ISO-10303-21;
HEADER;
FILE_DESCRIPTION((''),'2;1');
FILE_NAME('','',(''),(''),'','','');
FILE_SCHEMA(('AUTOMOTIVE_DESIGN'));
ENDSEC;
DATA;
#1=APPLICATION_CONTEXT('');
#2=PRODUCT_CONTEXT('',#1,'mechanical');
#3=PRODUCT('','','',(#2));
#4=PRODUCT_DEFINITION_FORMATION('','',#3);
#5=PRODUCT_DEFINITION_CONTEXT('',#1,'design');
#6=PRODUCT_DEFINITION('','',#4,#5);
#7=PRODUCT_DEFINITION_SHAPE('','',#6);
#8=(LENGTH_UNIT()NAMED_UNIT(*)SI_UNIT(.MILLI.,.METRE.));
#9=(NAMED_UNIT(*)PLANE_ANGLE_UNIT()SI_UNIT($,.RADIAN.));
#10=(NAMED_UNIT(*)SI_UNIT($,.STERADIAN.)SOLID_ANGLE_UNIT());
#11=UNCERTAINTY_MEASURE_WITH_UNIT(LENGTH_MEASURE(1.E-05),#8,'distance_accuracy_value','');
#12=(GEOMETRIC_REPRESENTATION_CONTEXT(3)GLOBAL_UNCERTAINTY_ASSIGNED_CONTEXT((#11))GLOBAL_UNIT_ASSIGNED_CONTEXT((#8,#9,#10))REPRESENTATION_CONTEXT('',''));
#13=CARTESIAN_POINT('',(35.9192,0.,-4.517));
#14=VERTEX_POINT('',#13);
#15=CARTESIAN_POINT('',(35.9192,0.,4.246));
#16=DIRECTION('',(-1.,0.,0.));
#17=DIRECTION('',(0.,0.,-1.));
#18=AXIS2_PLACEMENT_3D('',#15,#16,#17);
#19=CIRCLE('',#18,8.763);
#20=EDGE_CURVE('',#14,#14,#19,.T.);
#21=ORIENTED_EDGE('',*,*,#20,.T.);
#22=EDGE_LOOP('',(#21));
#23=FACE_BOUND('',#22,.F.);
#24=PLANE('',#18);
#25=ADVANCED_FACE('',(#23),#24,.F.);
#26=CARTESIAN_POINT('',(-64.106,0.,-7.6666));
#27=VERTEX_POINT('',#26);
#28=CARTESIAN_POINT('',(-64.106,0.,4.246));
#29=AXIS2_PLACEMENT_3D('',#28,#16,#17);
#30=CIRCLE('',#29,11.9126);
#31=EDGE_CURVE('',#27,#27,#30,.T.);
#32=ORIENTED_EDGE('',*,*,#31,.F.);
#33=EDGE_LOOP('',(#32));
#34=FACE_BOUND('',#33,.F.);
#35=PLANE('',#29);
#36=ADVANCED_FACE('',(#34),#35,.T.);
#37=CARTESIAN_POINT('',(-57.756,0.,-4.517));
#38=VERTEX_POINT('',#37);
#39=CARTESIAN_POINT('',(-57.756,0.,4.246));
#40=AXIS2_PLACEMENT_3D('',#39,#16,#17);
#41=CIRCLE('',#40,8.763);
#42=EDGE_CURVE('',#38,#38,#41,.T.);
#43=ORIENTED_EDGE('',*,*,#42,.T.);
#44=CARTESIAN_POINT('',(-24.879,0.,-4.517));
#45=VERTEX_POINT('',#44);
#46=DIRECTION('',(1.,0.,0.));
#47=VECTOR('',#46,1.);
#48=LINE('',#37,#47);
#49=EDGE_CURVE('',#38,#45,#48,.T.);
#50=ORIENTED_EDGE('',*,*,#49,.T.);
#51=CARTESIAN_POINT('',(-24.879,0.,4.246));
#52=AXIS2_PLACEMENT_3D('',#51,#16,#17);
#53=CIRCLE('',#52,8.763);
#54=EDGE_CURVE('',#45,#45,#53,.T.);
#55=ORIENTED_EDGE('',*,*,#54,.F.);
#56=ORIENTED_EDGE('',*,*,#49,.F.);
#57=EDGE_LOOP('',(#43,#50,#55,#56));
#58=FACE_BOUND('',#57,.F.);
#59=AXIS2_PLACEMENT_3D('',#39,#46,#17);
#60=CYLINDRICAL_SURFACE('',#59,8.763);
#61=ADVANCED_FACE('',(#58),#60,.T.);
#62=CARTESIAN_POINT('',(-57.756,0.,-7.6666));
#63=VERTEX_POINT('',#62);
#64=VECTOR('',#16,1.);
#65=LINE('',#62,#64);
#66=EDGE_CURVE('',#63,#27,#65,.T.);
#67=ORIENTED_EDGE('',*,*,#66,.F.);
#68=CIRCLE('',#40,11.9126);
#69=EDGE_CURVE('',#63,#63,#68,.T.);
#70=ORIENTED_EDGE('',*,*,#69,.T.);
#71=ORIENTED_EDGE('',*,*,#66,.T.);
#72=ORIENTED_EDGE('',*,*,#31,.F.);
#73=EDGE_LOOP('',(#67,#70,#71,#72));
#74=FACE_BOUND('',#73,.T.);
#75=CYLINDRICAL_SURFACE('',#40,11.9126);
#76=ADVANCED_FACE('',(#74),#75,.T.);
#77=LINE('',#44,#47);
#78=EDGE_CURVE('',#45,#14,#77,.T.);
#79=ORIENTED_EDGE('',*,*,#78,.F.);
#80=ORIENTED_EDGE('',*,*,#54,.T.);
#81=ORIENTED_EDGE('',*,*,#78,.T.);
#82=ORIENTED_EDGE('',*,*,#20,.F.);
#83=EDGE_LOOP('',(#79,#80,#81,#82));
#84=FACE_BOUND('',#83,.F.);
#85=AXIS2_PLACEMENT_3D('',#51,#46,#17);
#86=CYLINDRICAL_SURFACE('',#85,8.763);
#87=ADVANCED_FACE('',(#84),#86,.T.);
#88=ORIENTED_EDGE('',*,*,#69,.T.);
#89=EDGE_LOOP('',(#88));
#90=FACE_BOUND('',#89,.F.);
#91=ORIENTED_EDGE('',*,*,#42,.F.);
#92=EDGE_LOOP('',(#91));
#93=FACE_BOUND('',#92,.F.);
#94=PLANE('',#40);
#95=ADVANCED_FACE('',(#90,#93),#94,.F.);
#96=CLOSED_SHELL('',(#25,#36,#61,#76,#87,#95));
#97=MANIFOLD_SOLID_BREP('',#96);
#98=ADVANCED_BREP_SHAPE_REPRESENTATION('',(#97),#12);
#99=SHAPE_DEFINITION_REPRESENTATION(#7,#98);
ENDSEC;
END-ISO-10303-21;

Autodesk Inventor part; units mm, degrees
ref_plane "YZ Plane" through (0, 0, 0) normal (1, 0, 0) x (0, 1, 0)
ref_plane "XZ Plane" through (0, 0, 0) normal (0, 1, 0) x (-1, 0, 0)
sketch "Sketch1" plane through (0, 0, 0) normal (0, 1, 0) x (-1, 0, 0)
  line L0 (64.106, 4.246) -> (64.106, -7.6666)
  line L1 (-35.9192, -4.517) -> (-35.9192, 4.246)
  line L2 (-35.9192, 4.246) -> (64.106, 4.246)
  line L3 (24.879, -4.517) -> (-35.9192, -4.517)
  line L4 (-35.9192, -4.517) -> (-35.9192, 4.246)
  line L5 (-35.9192, 4.246) -> (64.106, 4.246)
  line L6 (57.756, -7.6666) -> (64.106, -7.6666)
  line L7 (64.106, -7.6666) -> (57.756, -7.6666)
  line L8 (57.756, -7.6666) -> (57.756, -4.517)
  line L9 (57.756, -4.517) -> (24.879, -4.517)
  point P0 (0, 0)
  dimension "d4" = 11.9126
  dimension "d5" = 100.0252
  dimension "d6" = 6.35
  dimension "d7" = 3.1496
revolve "Revolution1" add sketch "Sketch1" angle 360 about axis through (35.9192, 0, 4.246) along (-1, 0, 0)
ref_plane "Work Plane3" through (0, 0, 4.7625) normal (0, 0, 1) x (1, 0, 0)
sketch "Sketch8" plane through (0, 0, 4.7625) normal (0, 0, 1) x (1, 0, 0)
  line L0 (-55.7252, 11.3974) -> (-55.7252, 7.4576) construction
  line L1 (-53.6658, 8.763) -> (35.9192, 8.763) construction
  line L2 (35.9192, 8.763) -> (-57.756, 8.763) construction
  line L3 (-56.0328, 10.9296) -> (-57.5509, 8.8518)
  arc A0 (-57.756, 8.7476) -> (-57.5509, 8.8518) centre (-57.756, 9.0016) ccw
  line L4 (-55.4175, 10.9296) -> (-53.8995, 8.8518)
  arc A1 (-53.8995, 8.8518) -> (-53.6944, 8.7476) centre (-53.6944, 9.0016) ccw
  arc A2 (-55.4175, 10.9296) -> (-56.0328, 10.9296) centre (-55.7252, 10.7048) ccw
  line L5 (-56.7919, 9.9061) -> (-54.6585, 9.9061) construction
  line L6 (-57.756, 11.9126) -> (-57.756, -11.9126) construction
  line L7 (-57.756, 8.7476) -> (-51.4573, 8.7476) construction
  line L8 (-53.6944, 8.7476) -> (-57.756, 8.7476)
  point P0 (0, 0)
  point P1 (-40.5643, 2.2991)
  point P2 (-41.4145, 2.2991)
  point P3 (-55.7252, 11.366)
  point P4 (-57.6499, 8.763)
  dimension "d53" = 89.585
